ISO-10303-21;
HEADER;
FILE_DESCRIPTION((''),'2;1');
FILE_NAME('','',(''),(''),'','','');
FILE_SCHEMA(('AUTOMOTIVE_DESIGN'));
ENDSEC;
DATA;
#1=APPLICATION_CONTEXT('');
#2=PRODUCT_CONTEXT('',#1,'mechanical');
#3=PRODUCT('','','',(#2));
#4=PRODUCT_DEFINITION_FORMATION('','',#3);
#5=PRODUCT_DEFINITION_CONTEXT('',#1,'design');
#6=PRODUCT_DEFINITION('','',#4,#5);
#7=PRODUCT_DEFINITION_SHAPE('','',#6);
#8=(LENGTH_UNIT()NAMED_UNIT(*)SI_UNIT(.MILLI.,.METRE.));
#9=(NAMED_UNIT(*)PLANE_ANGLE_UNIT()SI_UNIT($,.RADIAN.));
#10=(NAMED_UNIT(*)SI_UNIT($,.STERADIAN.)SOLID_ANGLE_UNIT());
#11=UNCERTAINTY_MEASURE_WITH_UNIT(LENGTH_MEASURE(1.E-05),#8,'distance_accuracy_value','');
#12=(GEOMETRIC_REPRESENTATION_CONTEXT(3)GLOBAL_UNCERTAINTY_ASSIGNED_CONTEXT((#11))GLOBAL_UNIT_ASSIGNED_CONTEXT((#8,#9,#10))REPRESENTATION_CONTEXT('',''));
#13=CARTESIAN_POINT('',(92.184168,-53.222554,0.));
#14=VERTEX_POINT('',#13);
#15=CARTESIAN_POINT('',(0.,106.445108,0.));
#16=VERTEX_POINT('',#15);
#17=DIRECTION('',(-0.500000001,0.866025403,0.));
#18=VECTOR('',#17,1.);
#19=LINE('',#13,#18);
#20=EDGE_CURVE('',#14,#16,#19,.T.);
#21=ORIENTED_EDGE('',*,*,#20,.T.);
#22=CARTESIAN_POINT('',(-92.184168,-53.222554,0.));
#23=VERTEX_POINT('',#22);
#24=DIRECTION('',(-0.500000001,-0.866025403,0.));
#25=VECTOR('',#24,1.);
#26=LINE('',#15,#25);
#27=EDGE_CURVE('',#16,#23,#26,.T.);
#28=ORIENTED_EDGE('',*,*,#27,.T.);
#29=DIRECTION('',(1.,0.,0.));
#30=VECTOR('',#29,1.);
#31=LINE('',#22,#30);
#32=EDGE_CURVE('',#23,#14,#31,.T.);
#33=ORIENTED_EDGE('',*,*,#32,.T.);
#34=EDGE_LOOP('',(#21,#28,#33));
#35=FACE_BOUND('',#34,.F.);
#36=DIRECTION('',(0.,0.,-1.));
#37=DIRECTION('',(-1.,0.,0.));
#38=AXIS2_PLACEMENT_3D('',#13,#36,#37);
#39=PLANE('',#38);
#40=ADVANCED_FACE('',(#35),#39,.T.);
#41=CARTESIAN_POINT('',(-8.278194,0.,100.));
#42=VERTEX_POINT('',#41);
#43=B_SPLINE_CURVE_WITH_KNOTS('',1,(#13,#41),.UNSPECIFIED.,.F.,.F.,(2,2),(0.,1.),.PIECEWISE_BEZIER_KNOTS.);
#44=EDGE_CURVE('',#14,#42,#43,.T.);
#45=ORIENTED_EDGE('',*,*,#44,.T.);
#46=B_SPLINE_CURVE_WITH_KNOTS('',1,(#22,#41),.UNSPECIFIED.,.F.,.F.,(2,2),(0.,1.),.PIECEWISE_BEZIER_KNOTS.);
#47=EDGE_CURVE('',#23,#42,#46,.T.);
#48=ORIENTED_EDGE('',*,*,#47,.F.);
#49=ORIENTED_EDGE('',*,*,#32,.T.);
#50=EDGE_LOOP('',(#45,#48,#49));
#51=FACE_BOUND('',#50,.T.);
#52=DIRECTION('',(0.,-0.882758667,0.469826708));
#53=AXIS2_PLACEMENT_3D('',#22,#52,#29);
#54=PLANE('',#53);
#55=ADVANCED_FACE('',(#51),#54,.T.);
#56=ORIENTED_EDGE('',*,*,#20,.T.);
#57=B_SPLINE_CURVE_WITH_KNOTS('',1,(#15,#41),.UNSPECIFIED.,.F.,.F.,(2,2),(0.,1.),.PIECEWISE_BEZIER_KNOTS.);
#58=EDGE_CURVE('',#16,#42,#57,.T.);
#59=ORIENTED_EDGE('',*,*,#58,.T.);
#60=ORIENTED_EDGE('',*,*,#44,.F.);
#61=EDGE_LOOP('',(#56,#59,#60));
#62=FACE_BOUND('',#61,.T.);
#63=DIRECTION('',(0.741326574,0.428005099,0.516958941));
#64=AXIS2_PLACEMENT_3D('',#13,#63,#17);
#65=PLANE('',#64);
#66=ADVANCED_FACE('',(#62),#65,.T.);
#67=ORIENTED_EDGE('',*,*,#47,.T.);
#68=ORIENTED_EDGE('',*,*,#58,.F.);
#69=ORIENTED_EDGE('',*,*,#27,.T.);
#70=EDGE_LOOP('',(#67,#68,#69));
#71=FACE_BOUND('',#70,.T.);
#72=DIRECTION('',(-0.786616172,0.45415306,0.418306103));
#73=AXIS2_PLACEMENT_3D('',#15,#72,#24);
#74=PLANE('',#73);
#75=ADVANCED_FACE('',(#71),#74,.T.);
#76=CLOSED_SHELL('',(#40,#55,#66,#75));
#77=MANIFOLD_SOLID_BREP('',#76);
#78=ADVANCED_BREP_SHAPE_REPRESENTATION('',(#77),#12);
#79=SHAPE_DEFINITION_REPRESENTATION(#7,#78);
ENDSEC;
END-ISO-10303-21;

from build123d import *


with BuildPart() as f3:
    # F0 (on Top) → F3 section 0
    with BuildSketch(Plane.XY, mode=Mode.PRIVATE) as f3_s0:
        Polygon((92.184168, -53.222554), (0, 106.445108), (-92.184168, -53.222554), align=None)
    loft([f3_s0.sketch, Vertex(-8.278194, 0, 100)])


solid = f3.part
